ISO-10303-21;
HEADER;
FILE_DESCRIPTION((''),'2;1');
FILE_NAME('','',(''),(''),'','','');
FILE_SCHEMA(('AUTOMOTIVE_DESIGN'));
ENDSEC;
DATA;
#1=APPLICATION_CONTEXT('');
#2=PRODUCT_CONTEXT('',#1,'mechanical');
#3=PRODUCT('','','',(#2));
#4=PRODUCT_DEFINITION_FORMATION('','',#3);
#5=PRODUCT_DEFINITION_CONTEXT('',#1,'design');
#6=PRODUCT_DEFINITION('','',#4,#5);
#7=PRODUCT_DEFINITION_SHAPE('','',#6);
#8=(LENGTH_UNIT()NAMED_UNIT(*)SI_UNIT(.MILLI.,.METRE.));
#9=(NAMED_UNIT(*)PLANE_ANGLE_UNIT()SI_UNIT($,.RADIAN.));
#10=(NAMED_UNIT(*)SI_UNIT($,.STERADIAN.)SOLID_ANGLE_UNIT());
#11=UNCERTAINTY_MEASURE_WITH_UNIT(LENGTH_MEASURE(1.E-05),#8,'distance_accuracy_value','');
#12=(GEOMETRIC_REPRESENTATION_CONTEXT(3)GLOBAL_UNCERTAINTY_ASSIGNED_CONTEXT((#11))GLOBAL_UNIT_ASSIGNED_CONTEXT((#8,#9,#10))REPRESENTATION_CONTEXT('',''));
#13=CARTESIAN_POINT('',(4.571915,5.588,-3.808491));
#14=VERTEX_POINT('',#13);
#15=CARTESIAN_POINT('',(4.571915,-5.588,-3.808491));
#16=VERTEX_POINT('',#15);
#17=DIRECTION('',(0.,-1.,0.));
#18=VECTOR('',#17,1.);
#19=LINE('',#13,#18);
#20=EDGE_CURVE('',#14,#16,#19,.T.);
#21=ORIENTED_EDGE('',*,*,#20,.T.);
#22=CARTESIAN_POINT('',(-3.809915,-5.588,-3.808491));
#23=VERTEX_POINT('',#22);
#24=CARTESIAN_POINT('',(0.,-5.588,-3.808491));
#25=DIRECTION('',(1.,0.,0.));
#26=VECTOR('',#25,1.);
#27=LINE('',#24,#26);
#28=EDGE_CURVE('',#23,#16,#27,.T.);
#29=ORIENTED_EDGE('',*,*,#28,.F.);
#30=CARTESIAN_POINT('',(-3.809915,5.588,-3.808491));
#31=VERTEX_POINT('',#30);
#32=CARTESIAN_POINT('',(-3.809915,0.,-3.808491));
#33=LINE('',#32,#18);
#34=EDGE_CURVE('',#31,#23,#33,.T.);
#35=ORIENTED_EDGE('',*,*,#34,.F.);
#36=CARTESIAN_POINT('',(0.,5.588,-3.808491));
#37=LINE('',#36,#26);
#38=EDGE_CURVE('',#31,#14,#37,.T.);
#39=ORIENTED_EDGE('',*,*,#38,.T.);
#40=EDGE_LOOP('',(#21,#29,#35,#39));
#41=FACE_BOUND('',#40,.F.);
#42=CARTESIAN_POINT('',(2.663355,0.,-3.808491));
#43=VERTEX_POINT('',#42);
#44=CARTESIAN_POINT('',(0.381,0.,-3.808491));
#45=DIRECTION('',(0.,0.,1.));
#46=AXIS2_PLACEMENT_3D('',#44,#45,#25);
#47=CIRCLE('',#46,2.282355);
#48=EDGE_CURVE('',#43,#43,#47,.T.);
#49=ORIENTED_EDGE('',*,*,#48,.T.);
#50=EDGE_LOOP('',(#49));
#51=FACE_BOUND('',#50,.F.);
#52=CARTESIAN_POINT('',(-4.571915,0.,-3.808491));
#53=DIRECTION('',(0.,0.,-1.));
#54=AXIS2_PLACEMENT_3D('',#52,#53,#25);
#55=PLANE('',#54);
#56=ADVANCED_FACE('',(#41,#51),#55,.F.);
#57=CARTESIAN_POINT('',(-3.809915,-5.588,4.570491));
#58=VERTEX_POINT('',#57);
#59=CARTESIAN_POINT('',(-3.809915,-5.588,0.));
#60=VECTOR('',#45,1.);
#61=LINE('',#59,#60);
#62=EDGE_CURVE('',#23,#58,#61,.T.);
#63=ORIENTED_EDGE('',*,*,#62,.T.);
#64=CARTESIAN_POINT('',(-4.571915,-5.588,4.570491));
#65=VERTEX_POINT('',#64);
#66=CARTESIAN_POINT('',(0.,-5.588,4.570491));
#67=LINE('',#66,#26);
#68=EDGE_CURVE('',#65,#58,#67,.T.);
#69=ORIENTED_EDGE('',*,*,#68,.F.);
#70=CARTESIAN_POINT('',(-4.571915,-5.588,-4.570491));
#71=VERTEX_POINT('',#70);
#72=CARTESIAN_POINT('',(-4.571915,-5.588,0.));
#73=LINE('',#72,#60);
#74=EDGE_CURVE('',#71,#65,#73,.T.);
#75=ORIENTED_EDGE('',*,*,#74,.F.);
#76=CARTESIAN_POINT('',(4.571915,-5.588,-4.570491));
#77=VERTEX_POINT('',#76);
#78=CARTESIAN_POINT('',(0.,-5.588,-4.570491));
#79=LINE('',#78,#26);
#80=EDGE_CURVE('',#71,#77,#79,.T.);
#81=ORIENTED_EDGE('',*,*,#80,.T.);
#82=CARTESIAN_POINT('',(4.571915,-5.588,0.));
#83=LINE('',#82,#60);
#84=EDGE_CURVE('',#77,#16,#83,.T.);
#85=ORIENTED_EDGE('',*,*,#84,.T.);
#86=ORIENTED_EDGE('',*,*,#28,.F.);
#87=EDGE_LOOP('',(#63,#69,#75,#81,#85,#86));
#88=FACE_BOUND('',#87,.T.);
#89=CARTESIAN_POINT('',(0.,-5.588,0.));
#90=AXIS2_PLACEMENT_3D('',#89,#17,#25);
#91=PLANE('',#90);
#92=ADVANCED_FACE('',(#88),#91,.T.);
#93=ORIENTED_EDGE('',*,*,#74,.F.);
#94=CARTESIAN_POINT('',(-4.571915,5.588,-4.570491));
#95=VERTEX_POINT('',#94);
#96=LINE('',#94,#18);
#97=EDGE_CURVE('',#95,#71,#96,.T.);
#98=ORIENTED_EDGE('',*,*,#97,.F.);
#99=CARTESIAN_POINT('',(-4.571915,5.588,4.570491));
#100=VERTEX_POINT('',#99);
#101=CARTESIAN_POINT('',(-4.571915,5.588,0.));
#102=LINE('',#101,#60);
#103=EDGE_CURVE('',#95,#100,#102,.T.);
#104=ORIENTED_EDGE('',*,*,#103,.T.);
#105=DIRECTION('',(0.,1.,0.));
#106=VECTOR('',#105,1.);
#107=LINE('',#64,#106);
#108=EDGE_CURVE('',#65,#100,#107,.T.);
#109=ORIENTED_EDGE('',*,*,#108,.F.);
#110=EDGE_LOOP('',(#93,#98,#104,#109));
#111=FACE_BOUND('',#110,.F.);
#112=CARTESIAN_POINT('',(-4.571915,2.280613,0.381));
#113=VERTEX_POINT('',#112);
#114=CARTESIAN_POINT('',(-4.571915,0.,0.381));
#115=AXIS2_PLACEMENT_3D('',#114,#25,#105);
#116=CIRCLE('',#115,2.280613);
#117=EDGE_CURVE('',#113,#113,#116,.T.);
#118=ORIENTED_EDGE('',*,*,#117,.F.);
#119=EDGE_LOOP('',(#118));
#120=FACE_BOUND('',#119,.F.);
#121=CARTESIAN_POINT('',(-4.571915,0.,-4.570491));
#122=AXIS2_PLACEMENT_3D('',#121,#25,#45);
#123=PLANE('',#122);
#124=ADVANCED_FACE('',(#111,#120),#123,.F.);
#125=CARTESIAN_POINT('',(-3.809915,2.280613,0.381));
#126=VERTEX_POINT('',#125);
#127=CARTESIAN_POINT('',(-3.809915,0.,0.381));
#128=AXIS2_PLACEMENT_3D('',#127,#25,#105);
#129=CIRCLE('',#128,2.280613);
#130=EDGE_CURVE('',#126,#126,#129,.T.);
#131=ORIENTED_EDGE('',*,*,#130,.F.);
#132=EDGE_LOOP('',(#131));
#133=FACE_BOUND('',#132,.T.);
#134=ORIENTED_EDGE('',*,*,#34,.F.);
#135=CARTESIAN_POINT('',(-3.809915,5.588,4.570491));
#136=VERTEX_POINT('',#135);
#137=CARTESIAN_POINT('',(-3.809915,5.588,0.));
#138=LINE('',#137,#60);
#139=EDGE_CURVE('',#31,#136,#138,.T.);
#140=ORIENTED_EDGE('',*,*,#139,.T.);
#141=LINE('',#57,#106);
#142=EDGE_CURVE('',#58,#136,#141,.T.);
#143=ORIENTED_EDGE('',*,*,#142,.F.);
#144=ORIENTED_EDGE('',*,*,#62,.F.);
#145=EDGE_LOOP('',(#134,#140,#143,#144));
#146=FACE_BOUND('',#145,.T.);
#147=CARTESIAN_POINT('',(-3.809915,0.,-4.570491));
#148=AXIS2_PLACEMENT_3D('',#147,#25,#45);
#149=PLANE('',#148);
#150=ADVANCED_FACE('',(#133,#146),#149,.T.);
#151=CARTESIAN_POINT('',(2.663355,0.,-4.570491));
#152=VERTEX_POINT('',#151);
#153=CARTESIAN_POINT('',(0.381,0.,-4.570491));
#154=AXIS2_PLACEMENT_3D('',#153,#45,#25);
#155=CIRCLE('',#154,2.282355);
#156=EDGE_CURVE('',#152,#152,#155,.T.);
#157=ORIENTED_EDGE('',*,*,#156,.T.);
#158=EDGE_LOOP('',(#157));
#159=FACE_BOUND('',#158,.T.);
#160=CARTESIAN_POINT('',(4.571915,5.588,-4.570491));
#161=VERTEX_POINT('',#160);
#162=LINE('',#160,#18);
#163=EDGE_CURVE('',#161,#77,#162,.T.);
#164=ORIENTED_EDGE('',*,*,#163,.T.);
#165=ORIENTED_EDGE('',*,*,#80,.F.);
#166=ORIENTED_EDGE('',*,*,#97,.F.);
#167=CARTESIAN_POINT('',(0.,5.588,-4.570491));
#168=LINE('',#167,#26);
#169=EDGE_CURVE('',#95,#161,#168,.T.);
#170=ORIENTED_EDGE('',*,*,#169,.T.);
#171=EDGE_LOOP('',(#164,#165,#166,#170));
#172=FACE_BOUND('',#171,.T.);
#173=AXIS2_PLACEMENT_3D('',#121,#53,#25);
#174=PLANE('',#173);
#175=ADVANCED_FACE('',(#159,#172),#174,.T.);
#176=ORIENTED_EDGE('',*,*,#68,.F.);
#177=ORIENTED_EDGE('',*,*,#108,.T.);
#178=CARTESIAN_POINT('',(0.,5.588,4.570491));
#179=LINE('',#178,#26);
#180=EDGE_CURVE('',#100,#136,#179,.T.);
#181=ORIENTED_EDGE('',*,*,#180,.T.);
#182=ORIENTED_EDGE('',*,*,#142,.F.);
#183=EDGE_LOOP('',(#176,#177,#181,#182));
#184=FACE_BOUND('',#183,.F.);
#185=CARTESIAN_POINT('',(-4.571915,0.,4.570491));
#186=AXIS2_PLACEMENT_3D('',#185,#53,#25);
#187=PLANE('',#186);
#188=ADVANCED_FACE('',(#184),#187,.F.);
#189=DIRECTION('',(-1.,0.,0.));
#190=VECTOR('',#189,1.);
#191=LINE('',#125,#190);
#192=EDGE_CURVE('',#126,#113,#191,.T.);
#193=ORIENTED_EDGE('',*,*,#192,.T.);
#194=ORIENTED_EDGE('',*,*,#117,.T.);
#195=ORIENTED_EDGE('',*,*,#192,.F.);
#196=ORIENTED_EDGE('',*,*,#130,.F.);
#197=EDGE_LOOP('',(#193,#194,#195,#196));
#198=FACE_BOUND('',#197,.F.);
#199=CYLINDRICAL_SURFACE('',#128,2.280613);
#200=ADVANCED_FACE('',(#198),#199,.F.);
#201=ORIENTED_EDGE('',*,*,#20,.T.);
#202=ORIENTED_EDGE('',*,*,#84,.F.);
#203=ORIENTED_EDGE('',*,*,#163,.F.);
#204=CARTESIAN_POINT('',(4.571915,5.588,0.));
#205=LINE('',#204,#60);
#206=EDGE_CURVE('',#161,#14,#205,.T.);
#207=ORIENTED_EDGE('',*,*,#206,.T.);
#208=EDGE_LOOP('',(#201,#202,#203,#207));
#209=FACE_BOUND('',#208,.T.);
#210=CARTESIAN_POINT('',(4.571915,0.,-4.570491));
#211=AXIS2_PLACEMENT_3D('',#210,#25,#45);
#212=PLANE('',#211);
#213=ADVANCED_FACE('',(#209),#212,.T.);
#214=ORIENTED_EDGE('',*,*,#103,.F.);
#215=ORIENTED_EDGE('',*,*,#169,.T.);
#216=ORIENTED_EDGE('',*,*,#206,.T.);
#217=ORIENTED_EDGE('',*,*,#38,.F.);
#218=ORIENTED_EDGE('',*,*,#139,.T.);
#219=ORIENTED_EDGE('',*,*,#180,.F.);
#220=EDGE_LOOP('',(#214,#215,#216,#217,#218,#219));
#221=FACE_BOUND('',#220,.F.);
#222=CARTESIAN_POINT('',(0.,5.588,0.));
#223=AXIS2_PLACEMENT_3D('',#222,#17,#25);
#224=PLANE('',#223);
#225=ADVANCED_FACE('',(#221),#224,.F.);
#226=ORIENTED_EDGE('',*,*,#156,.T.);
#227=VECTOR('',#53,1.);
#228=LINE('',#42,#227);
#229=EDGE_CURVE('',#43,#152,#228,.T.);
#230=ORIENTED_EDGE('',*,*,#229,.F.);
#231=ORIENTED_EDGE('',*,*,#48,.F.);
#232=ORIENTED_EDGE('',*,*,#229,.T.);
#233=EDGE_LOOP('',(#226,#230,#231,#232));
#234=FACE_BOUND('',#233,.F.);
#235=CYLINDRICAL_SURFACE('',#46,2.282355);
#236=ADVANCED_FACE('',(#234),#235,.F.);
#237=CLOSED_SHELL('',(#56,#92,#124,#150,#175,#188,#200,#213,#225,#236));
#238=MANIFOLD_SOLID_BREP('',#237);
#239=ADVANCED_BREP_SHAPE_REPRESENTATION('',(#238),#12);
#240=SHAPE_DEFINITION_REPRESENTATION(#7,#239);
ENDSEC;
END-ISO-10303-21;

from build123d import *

# Parameters (mm, degrees)
F0_W          = 9.14383
F0_H          = 9.140982
F1_DEPTH      = 5.588
F1_DEPTH_BACK = 5.588
F2_T          = -0.762
F3_R          = 2.280613
F4_DEPTH      = 0.762
F5_R          = 2.282355
F6_DEPTH      = 0.762


with BuildPart() as f1:
    # F0 (on Front) → F1 (new body, two sides)
    with BuildSketch(Plane.XZ) as f1_sk:
        Rectangle(F0_W, F0_H)
    extrude(amount=F1_DEPTH)
    extrude(f1_sk.sketch, amount=-F1_DEPTH_BACK)

    # F2
    f2_openings = [f1.faces().sort_by_distance(p)[0] for p in [
        (0, 0, 4.570491),
        (4.571915, 0, 0),
        (0, -5.588, 0),
        (0, 5.588, 0),
    ]]
    offset(amount=F2_T, openings=f2_openings)

    # F3 (on face) → F4 (cut)
    with BuildSketch(Plane.YZ.offset(-3.809915)):
        with Locations((0, 0.381)):
            Circle(F3_R)
    extrude(amount=-F4_DEPTH, mode=Mode.SUBTRACT)

    # F5 (on face) → F6 (cut)
    with BuildSketch(Plane.XY.offset(-3.808491)):
        with Locations((0.381, 0)):
            Circle(F5_R)
    extrude(amount=-F6_DEPTH, mode=Mode.SUBTRACT)


solid = f1.part
